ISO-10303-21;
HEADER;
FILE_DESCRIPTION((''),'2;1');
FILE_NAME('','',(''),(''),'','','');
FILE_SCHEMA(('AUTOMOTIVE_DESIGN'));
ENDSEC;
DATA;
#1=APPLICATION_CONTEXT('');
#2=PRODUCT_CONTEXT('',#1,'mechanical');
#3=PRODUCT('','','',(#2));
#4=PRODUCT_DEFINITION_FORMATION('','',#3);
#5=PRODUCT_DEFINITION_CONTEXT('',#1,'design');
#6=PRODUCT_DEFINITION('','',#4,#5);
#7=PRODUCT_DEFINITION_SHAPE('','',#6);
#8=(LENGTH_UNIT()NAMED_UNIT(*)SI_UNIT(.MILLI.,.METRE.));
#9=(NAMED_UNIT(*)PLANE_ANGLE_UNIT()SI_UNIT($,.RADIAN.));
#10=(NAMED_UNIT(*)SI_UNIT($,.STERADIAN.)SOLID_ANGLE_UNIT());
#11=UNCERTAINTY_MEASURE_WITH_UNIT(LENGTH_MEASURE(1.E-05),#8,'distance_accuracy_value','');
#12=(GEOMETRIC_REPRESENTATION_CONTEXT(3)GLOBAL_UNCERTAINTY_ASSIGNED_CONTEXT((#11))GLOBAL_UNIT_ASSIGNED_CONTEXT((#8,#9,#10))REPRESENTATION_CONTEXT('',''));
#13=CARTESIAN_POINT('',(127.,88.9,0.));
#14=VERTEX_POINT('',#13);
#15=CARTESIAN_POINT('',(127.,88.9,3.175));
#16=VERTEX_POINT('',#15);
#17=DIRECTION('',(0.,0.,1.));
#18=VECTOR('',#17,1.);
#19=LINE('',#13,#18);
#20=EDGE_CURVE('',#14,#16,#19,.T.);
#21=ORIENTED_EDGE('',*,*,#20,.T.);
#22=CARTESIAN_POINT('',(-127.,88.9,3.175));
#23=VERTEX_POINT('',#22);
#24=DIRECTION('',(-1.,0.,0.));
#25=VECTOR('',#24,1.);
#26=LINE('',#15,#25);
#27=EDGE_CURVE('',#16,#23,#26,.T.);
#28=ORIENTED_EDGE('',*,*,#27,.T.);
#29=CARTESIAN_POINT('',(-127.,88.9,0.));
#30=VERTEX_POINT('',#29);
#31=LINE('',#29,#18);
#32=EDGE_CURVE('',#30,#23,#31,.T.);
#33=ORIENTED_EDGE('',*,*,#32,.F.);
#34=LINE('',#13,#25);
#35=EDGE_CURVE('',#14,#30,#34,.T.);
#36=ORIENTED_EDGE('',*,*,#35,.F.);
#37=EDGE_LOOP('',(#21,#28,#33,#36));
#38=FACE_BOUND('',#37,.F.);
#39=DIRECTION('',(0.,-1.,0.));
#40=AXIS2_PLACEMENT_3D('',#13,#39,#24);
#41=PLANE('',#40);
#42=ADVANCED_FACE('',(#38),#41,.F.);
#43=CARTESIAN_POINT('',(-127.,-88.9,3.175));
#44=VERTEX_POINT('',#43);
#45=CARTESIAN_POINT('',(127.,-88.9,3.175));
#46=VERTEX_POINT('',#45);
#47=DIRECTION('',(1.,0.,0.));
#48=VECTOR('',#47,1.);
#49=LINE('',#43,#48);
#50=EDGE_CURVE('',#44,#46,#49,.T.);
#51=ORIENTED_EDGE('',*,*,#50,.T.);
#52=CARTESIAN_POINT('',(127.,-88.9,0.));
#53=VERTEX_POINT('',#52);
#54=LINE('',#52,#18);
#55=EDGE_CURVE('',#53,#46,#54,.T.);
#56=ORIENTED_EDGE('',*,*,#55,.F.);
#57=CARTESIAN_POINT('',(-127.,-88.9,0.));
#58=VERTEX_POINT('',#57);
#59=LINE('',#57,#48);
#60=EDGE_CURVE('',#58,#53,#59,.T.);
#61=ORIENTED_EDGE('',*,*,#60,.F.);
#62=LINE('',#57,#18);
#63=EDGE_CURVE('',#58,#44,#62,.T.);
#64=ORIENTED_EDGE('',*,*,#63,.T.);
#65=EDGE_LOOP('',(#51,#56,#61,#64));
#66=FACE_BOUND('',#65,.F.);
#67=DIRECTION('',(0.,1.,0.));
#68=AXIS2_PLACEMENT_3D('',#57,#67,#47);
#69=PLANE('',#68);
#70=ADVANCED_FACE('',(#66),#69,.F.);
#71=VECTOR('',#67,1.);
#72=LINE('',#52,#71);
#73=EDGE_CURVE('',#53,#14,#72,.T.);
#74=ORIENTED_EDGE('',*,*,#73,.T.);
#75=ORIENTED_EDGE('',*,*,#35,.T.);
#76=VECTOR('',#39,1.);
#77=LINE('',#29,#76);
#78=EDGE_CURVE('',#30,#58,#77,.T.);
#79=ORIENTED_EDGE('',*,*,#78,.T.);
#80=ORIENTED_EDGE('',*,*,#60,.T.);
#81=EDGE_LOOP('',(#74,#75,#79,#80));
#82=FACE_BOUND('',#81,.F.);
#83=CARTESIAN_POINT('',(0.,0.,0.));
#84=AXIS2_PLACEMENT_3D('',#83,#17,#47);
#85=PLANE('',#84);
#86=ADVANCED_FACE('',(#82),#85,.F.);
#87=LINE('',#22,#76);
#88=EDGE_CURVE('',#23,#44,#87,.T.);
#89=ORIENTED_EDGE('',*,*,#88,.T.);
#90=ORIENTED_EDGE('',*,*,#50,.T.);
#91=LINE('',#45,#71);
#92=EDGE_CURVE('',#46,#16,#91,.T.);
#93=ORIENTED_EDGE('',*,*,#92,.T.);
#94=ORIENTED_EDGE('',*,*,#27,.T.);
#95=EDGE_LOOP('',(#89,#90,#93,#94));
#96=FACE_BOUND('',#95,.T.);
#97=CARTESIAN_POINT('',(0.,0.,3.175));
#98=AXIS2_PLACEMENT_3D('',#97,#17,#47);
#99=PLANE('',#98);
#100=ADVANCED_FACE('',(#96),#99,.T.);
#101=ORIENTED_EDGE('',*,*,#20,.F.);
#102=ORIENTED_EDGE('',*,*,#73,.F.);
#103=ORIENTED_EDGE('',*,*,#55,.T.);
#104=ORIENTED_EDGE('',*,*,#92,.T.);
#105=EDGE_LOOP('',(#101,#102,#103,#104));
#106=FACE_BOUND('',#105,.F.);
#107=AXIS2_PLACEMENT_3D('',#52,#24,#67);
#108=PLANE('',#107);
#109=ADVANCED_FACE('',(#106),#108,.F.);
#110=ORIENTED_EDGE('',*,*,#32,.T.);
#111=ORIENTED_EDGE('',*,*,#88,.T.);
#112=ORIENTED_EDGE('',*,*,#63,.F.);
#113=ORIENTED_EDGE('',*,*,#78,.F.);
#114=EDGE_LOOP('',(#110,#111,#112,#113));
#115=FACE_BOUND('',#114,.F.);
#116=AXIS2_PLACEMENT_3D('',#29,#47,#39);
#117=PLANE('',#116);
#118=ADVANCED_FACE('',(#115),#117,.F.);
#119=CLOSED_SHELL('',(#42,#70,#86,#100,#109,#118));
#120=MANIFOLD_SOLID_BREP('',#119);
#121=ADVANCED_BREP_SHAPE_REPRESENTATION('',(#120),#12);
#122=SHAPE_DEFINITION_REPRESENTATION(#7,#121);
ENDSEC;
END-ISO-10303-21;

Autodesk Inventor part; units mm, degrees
ref_plane "YZ Plane" through (0, 0, 0) normal (1, 0, 0) x (0, 1, 0)
ref_plane "XZ Plane" through (0, 0, 0) normal (0, 1, 0) x (-1, 0, 0)
ref_plane "XY Plane" through (0, 0, 0) normal (0, 0, 1) x (1, 0, 0)
sketch "Sketch1" plane through (0, 0, 0) normal (0, 0, 1) x (1, 0, 0)
  line L0 (-127, -88.9) -> (127, -88.9)
  line L1 (127, -88.9) -> (127, 88.9)
  line L2 (127, 88.9) -> (-127, 88.9)
  line L3 (-127, 88.9) -> (-127, -88.9)
  line L4 (-127, -88.9) -> (127, 88.9) construction
  line L5 (127, -88.9) -> (-127, 88.9) construction
  point P0 (0, 0)
  dimension "d0" = 254
  dimension "d1" = 177.8
extrude "Extrusion1" add sketch "Sketch1" along normal blind 3.175
properties part number "rest plate" material "Polycarbonate, Clear"
